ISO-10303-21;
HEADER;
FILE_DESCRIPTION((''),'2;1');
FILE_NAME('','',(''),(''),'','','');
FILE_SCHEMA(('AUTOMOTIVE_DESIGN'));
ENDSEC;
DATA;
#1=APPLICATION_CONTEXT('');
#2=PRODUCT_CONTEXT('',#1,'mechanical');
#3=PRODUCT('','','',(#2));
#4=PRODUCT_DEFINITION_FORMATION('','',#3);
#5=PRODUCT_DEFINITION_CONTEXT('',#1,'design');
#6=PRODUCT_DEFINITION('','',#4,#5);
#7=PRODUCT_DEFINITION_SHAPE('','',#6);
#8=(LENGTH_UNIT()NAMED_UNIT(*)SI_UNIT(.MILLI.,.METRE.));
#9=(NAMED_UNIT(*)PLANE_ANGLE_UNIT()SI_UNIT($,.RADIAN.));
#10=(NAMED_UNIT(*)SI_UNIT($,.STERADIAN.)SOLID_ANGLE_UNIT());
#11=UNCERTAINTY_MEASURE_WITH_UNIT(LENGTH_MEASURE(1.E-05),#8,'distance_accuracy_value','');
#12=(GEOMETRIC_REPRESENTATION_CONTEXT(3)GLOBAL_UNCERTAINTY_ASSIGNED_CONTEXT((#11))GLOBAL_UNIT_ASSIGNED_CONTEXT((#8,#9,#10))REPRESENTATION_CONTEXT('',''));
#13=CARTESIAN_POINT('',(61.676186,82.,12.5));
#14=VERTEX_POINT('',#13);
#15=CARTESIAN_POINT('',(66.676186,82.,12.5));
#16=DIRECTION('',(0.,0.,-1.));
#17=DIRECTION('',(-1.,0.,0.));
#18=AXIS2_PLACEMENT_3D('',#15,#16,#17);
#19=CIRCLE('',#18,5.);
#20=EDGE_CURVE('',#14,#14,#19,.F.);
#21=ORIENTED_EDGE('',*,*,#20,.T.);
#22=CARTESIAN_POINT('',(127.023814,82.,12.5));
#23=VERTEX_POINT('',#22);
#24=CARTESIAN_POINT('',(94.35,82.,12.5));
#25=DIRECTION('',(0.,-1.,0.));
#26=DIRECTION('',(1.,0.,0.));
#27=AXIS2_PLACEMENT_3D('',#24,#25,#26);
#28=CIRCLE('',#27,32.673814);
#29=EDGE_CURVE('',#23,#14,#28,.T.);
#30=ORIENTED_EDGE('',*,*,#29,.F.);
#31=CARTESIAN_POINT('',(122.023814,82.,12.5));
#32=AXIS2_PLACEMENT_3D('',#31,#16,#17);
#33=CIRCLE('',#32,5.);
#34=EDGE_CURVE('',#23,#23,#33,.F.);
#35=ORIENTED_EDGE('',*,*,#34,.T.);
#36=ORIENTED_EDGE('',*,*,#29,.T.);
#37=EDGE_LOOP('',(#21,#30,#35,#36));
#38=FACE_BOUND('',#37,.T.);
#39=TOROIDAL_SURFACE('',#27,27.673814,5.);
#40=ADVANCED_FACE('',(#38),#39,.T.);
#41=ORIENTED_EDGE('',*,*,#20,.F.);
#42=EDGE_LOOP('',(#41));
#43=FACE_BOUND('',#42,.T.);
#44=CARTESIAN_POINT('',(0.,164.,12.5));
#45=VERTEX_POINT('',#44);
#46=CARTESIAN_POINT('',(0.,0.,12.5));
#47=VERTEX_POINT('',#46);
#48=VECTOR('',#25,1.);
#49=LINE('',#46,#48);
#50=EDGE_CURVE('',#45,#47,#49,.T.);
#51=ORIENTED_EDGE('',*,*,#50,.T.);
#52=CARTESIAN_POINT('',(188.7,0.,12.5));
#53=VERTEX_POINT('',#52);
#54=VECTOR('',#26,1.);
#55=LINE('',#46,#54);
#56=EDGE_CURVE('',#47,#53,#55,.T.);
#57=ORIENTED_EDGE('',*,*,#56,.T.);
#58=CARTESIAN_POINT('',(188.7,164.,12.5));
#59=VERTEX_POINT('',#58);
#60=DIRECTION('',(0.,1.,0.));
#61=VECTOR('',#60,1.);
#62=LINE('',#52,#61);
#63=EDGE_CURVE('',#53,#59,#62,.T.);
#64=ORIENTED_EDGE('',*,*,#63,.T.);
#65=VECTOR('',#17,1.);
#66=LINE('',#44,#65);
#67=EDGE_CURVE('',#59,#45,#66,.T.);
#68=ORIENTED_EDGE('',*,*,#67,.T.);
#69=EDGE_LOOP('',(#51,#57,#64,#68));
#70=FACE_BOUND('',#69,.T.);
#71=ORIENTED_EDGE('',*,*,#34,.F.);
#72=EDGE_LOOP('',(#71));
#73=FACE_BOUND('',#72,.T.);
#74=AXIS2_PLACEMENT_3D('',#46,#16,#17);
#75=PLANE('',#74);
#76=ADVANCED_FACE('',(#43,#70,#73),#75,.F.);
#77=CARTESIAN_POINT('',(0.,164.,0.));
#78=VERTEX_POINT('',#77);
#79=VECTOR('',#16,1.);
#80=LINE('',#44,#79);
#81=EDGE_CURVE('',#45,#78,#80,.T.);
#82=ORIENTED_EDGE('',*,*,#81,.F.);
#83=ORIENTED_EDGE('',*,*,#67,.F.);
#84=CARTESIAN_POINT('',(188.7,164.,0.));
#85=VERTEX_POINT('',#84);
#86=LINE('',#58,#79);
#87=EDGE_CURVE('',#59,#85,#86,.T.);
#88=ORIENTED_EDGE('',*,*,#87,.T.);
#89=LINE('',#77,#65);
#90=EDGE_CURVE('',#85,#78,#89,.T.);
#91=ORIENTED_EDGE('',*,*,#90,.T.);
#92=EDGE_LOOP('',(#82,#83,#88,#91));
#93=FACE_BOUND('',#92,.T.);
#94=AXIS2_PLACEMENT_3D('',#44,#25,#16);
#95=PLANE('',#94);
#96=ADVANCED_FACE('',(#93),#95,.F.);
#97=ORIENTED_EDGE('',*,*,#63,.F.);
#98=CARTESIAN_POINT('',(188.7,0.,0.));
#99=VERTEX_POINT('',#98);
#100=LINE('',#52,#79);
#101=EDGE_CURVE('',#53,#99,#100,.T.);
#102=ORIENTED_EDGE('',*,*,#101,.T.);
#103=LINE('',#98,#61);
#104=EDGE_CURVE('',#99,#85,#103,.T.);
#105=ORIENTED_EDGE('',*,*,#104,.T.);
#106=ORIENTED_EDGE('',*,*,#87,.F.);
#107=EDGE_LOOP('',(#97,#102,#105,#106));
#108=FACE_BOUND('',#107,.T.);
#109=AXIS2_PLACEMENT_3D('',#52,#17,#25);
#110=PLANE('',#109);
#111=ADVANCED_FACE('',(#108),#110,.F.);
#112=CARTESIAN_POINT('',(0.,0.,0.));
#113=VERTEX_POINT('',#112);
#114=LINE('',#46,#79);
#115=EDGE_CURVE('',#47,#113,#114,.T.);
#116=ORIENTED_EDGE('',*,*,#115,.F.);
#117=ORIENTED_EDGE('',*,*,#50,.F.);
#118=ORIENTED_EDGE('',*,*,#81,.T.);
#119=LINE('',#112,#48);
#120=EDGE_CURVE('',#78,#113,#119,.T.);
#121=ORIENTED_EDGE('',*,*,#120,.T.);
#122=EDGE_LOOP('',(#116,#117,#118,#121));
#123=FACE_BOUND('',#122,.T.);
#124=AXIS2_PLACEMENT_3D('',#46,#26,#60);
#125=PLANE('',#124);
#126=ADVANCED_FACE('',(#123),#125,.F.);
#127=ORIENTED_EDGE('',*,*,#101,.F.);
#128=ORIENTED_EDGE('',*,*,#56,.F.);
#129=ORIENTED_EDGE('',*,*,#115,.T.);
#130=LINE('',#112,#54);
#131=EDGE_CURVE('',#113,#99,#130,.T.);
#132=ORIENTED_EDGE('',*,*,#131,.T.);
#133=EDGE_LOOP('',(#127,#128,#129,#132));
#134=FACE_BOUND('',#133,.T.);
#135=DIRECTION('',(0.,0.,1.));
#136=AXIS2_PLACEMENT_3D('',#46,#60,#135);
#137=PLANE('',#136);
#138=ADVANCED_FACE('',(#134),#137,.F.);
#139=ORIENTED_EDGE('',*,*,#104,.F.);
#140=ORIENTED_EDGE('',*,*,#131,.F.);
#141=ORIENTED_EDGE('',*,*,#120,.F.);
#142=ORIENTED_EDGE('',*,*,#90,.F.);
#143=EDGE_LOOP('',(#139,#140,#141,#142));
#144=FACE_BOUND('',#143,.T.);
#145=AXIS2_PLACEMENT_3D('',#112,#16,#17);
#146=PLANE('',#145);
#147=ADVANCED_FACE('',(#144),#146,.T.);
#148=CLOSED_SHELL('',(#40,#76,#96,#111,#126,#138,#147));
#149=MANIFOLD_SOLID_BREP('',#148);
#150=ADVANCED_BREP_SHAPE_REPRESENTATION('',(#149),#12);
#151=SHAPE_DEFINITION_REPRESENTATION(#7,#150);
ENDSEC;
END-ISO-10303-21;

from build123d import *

# Parameters (mm, degrees)
SKETCH1_W           = 188.7
SKETCH1_H           = 164
BOSS_EXTRUDE1_DEPTH = 12.5
SKETCH3_R           = 5
REVOLVE1_ANGLE      = 180


with BuildPart() as part:
    # Sketch1 → Boss-Extrude1 (new body)
    with BuildSketch(Plane.XY):
        with Locations((94.35, 82)):
            Rectangle(SKETCH1_W, SKETCH1_H)
    extrude(amount=BOSS_EXTRUDE1_DEPTH)

    # Sketch3 → Revolve1 (revolve)
    with BuildSketch(Plane.XY.offset(12.5)):
        with Locations((66.676185661, 82)):
            Circle(SKETCH3_R)
    revolve(axis=Axis((94.35, 164, 12.5), (0, 1, 0)), revolution_arc=REVOLVE1_ANGLE)


solid = part.part
